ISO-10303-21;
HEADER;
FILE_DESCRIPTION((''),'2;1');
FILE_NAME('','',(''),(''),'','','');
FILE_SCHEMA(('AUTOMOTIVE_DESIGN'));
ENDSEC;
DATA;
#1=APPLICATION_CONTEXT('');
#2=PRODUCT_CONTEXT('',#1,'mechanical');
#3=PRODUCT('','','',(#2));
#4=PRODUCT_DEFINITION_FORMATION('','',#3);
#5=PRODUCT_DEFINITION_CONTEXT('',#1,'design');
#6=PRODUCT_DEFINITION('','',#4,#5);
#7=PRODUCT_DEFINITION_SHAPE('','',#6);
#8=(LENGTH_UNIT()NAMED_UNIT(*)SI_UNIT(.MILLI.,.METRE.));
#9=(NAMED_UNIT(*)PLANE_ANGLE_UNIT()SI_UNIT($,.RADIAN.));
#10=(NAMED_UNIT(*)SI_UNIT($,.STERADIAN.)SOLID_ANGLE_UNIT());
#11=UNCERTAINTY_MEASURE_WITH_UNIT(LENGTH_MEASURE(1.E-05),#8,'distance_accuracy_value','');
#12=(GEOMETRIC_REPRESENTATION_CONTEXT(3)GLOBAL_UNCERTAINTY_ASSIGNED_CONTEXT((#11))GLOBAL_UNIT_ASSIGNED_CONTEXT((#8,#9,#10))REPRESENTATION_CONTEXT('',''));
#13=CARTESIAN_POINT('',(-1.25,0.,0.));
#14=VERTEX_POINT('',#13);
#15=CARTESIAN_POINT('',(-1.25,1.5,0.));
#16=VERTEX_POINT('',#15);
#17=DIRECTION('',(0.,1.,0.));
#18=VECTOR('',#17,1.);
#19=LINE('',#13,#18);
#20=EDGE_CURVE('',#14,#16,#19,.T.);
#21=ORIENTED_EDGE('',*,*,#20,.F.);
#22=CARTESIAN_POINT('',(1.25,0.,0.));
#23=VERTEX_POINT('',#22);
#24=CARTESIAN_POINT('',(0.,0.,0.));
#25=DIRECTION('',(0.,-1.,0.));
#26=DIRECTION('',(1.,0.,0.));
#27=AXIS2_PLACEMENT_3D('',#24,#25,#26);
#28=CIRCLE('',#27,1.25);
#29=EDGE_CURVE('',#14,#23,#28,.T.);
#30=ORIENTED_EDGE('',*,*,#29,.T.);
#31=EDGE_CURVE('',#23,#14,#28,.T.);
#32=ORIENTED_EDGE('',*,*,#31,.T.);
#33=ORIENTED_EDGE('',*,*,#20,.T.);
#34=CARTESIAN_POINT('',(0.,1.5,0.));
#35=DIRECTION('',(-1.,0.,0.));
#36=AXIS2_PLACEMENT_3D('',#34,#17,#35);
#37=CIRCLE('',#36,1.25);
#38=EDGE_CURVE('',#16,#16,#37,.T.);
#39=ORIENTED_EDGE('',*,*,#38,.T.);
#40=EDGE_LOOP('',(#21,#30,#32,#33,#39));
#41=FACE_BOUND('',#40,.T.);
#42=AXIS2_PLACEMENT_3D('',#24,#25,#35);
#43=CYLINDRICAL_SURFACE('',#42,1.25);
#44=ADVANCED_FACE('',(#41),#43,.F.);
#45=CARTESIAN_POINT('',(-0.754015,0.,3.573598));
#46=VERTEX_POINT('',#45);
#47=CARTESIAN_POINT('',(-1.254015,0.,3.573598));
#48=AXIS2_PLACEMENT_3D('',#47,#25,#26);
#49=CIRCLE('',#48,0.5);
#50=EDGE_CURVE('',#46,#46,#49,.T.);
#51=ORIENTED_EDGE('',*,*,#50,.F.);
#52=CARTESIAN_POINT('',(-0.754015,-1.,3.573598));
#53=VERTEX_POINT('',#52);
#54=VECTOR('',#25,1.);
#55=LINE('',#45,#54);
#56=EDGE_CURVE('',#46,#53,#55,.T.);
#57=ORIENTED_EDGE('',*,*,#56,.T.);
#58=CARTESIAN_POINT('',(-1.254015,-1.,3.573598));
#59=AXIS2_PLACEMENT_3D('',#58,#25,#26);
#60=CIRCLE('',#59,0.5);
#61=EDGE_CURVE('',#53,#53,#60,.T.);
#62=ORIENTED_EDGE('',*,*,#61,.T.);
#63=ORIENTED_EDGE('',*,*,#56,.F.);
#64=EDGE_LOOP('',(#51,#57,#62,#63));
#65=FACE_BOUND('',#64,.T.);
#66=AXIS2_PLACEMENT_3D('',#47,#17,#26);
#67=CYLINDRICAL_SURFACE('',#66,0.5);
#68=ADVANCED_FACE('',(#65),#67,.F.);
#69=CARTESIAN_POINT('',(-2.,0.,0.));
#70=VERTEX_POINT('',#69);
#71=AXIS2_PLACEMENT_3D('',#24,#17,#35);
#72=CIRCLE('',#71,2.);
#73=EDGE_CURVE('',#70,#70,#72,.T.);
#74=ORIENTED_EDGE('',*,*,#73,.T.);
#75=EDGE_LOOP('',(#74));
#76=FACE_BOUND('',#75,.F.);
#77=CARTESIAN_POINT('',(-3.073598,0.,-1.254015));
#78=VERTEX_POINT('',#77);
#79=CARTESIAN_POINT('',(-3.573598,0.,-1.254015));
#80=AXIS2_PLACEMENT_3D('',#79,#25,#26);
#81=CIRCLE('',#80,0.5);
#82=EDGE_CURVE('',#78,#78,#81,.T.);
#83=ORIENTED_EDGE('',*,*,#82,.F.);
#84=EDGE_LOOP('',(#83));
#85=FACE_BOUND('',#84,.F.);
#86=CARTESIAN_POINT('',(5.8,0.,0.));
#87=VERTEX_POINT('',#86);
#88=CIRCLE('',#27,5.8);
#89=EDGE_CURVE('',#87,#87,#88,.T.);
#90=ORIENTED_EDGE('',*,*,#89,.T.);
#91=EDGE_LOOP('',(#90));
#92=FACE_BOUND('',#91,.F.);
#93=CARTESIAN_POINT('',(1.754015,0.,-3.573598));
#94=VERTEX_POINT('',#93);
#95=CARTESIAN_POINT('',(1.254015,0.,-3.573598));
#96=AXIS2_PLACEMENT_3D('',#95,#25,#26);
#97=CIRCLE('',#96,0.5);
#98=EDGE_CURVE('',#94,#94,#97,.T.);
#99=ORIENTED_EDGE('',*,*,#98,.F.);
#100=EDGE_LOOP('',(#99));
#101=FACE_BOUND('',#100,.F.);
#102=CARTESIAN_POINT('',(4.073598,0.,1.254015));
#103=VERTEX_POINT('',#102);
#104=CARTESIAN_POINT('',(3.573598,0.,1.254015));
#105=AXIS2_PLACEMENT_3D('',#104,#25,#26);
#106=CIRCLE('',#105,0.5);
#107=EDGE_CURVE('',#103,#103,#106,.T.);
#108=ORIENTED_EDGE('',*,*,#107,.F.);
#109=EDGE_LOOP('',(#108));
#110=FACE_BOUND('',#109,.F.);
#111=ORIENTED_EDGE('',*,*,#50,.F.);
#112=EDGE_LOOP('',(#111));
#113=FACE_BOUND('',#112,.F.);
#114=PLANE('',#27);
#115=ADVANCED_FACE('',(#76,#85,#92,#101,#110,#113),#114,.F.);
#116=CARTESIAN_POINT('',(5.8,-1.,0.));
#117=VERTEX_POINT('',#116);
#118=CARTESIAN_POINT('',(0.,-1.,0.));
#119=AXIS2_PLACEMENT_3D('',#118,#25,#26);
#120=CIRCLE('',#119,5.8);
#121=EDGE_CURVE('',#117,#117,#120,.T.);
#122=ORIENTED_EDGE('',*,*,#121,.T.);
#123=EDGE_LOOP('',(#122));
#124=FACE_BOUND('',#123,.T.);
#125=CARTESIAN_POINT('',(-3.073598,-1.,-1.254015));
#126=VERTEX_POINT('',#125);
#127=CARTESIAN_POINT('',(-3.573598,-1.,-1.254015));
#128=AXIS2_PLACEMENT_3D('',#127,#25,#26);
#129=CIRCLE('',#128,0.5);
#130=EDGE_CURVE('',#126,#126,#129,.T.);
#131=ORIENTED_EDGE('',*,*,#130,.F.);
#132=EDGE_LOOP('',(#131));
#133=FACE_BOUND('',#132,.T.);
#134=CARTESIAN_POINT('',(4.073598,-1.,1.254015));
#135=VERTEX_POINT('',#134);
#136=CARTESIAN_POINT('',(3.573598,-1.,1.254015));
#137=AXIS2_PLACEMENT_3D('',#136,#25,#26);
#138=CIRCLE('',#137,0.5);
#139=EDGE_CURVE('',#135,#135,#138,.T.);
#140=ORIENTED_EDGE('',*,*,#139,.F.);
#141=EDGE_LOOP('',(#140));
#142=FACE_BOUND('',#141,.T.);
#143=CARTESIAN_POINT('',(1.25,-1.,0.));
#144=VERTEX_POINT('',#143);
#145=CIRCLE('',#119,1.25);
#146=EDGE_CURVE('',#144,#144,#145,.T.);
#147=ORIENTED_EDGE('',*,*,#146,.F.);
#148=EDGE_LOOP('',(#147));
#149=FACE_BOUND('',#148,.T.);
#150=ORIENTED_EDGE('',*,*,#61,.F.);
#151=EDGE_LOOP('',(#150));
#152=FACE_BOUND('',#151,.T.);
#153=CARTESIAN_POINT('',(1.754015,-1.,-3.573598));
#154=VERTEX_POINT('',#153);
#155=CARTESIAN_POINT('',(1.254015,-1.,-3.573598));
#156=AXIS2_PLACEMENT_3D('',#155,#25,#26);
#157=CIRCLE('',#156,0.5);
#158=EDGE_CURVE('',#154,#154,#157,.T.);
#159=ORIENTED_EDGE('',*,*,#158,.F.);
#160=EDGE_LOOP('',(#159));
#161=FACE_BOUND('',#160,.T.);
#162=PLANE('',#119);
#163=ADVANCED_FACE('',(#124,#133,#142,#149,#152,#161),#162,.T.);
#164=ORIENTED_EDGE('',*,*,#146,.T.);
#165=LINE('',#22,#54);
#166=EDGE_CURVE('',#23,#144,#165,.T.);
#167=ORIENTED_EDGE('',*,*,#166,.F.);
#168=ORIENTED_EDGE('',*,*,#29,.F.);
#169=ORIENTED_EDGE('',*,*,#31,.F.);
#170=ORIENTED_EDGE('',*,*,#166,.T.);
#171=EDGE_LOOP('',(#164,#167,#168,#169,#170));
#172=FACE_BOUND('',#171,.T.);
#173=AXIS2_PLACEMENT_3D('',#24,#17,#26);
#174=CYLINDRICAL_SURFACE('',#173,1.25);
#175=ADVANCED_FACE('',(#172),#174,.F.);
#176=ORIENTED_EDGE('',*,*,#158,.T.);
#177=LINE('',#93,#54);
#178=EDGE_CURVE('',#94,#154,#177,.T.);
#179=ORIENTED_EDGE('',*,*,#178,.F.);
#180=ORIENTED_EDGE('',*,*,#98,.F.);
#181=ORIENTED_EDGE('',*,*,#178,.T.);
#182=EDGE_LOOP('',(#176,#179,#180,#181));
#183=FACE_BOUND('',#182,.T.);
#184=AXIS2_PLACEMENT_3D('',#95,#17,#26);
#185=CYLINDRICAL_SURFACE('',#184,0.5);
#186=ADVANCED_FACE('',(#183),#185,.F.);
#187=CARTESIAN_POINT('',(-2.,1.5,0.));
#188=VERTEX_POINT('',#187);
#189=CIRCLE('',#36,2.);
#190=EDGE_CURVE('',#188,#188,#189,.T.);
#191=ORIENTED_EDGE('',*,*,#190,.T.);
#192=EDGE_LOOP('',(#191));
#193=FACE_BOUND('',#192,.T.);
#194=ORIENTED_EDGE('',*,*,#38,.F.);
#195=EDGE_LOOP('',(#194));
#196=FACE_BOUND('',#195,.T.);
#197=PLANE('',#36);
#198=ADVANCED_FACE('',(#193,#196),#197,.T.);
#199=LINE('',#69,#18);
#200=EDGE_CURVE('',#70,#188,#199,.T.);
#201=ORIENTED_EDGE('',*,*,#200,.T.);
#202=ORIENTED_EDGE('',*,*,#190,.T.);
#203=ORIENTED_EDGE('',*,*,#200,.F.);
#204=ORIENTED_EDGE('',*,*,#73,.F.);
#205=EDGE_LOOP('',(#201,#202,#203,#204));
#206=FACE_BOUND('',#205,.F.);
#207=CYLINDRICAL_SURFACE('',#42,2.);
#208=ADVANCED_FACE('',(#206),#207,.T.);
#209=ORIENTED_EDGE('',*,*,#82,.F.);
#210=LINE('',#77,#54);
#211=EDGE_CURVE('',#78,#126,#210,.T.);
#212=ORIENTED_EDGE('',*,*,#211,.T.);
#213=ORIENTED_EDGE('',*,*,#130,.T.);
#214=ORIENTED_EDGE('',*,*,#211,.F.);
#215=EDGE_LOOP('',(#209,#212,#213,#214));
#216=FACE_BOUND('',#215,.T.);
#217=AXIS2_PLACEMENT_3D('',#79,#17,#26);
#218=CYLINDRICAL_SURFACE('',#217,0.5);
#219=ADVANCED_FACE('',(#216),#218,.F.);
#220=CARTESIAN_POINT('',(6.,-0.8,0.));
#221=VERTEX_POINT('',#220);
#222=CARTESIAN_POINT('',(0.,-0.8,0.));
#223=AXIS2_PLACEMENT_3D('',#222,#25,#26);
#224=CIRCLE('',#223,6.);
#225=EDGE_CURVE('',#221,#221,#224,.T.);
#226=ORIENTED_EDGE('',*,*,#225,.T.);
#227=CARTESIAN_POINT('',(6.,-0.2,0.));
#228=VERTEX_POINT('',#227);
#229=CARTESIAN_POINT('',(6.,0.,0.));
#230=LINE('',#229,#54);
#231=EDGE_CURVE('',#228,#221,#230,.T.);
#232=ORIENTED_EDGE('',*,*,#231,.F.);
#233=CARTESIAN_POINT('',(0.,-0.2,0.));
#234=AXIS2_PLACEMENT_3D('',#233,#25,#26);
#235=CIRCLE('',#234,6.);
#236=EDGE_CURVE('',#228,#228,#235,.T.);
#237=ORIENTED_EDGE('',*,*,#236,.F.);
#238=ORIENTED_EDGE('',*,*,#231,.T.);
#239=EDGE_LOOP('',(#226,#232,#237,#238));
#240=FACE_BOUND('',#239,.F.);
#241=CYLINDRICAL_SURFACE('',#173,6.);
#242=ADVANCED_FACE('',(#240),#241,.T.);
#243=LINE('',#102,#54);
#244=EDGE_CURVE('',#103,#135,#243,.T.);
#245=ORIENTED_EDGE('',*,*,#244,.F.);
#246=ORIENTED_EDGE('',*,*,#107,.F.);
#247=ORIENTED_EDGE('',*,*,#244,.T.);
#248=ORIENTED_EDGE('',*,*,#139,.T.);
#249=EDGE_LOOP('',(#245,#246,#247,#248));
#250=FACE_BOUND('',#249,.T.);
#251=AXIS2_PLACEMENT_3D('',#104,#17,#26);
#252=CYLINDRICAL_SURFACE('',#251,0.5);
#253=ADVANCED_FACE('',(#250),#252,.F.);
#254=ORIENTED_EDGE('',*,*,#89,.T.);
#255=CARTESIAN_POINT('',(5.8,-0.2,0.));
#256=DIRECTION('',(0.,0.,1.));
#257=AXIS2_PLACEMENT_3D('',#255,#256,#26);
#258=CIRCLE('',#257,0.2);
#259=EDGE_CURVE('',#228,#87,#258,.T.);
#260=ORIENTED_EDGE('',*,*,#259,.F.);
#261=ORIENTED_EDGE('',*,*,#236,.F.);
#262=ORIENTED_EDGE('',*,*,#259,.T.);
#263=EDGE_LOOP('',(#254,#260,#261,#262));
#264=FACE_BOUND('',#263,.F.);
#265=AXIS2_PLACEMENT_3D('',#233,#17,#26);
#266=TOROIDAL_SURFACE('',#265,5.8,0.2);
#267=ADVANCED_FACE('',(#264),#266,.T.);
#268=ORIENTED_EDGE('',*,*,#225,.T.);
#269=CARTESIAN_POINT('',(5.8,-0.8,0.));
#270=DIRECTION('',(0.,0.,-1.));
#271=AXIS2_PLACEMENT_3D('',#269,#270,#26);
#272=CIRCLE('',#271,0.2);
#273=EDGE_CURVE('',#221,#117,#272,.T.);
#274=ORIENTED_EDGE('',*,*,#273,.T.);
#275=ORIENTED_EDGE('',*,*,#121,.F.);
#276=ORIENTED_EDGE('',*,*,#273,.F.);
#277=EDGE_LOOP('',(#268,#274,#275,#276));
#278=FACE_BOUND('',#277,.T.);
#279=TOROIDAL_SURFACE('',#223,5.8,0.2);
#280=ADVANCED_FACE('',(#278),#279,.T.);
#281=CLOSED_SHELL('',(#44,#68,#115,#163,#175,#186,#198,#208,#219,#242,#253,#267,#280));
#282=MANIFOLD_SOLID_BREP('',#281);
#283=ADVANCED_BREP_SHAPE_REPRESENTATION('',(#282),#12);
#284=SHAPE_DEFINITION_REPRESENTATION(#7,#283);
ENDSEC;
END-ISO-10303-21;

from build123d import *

# Parameters (mm, degrees)
F0_R     = 6
F0_R_2   = 0.5
F0_R_3   = 1.25
F1_DEPTH = 1
F2_R     = 0.2
F3_R     = 2
F3_R_2   = 1.25
F4_DEPTH = 1.5


with BuildPart() as f1:
    # F0 (on Front) → F1 (new body)
    with BuildSketch(Plane.XZ):
        Circle(F0_R)
        with Locations((-3.573598, -1.254015)):
            Circle(F0_R_2, mode=Mode.SUBTRACT)
        with Locations((1.254015, -3.573598)):
            Circle(F0_R_2, mode=Mode.SUBTRACT)
        with Locations((-1.254015, 3.573598)):
            Circle(F0_R_2, mode=Mode.SUBTRACT)
        Circle(F0_R_3, mode=Mode.SUBTRACT)
        with Locations((3.573598, 1.254015)):
            Circle(F0_R_2, mode=Mode.SUBTRACT)
    extrude(amount=F1_DEPTH)

    # F2
    f2_edges = [f1.edges().sort_by_distance(p)[0] for p in [
        (-6, 0, 0),
        (-6, -1, 0),
    ]]
    fillet(f2_edges, radius=F2_R)

    # F3 (on face) → F4 (join)
    with BuildSketch(Plane(origin=(0, 0, 0), x_dir=(-1, 0, 0), z_dir=(0, 1, 0))):
        Circle(F3_R)
        Circle(F3_R_2, mode=Mode.SUBTRACT)
    extrude(amount=F4_DEPTH)


solid = f1.part
